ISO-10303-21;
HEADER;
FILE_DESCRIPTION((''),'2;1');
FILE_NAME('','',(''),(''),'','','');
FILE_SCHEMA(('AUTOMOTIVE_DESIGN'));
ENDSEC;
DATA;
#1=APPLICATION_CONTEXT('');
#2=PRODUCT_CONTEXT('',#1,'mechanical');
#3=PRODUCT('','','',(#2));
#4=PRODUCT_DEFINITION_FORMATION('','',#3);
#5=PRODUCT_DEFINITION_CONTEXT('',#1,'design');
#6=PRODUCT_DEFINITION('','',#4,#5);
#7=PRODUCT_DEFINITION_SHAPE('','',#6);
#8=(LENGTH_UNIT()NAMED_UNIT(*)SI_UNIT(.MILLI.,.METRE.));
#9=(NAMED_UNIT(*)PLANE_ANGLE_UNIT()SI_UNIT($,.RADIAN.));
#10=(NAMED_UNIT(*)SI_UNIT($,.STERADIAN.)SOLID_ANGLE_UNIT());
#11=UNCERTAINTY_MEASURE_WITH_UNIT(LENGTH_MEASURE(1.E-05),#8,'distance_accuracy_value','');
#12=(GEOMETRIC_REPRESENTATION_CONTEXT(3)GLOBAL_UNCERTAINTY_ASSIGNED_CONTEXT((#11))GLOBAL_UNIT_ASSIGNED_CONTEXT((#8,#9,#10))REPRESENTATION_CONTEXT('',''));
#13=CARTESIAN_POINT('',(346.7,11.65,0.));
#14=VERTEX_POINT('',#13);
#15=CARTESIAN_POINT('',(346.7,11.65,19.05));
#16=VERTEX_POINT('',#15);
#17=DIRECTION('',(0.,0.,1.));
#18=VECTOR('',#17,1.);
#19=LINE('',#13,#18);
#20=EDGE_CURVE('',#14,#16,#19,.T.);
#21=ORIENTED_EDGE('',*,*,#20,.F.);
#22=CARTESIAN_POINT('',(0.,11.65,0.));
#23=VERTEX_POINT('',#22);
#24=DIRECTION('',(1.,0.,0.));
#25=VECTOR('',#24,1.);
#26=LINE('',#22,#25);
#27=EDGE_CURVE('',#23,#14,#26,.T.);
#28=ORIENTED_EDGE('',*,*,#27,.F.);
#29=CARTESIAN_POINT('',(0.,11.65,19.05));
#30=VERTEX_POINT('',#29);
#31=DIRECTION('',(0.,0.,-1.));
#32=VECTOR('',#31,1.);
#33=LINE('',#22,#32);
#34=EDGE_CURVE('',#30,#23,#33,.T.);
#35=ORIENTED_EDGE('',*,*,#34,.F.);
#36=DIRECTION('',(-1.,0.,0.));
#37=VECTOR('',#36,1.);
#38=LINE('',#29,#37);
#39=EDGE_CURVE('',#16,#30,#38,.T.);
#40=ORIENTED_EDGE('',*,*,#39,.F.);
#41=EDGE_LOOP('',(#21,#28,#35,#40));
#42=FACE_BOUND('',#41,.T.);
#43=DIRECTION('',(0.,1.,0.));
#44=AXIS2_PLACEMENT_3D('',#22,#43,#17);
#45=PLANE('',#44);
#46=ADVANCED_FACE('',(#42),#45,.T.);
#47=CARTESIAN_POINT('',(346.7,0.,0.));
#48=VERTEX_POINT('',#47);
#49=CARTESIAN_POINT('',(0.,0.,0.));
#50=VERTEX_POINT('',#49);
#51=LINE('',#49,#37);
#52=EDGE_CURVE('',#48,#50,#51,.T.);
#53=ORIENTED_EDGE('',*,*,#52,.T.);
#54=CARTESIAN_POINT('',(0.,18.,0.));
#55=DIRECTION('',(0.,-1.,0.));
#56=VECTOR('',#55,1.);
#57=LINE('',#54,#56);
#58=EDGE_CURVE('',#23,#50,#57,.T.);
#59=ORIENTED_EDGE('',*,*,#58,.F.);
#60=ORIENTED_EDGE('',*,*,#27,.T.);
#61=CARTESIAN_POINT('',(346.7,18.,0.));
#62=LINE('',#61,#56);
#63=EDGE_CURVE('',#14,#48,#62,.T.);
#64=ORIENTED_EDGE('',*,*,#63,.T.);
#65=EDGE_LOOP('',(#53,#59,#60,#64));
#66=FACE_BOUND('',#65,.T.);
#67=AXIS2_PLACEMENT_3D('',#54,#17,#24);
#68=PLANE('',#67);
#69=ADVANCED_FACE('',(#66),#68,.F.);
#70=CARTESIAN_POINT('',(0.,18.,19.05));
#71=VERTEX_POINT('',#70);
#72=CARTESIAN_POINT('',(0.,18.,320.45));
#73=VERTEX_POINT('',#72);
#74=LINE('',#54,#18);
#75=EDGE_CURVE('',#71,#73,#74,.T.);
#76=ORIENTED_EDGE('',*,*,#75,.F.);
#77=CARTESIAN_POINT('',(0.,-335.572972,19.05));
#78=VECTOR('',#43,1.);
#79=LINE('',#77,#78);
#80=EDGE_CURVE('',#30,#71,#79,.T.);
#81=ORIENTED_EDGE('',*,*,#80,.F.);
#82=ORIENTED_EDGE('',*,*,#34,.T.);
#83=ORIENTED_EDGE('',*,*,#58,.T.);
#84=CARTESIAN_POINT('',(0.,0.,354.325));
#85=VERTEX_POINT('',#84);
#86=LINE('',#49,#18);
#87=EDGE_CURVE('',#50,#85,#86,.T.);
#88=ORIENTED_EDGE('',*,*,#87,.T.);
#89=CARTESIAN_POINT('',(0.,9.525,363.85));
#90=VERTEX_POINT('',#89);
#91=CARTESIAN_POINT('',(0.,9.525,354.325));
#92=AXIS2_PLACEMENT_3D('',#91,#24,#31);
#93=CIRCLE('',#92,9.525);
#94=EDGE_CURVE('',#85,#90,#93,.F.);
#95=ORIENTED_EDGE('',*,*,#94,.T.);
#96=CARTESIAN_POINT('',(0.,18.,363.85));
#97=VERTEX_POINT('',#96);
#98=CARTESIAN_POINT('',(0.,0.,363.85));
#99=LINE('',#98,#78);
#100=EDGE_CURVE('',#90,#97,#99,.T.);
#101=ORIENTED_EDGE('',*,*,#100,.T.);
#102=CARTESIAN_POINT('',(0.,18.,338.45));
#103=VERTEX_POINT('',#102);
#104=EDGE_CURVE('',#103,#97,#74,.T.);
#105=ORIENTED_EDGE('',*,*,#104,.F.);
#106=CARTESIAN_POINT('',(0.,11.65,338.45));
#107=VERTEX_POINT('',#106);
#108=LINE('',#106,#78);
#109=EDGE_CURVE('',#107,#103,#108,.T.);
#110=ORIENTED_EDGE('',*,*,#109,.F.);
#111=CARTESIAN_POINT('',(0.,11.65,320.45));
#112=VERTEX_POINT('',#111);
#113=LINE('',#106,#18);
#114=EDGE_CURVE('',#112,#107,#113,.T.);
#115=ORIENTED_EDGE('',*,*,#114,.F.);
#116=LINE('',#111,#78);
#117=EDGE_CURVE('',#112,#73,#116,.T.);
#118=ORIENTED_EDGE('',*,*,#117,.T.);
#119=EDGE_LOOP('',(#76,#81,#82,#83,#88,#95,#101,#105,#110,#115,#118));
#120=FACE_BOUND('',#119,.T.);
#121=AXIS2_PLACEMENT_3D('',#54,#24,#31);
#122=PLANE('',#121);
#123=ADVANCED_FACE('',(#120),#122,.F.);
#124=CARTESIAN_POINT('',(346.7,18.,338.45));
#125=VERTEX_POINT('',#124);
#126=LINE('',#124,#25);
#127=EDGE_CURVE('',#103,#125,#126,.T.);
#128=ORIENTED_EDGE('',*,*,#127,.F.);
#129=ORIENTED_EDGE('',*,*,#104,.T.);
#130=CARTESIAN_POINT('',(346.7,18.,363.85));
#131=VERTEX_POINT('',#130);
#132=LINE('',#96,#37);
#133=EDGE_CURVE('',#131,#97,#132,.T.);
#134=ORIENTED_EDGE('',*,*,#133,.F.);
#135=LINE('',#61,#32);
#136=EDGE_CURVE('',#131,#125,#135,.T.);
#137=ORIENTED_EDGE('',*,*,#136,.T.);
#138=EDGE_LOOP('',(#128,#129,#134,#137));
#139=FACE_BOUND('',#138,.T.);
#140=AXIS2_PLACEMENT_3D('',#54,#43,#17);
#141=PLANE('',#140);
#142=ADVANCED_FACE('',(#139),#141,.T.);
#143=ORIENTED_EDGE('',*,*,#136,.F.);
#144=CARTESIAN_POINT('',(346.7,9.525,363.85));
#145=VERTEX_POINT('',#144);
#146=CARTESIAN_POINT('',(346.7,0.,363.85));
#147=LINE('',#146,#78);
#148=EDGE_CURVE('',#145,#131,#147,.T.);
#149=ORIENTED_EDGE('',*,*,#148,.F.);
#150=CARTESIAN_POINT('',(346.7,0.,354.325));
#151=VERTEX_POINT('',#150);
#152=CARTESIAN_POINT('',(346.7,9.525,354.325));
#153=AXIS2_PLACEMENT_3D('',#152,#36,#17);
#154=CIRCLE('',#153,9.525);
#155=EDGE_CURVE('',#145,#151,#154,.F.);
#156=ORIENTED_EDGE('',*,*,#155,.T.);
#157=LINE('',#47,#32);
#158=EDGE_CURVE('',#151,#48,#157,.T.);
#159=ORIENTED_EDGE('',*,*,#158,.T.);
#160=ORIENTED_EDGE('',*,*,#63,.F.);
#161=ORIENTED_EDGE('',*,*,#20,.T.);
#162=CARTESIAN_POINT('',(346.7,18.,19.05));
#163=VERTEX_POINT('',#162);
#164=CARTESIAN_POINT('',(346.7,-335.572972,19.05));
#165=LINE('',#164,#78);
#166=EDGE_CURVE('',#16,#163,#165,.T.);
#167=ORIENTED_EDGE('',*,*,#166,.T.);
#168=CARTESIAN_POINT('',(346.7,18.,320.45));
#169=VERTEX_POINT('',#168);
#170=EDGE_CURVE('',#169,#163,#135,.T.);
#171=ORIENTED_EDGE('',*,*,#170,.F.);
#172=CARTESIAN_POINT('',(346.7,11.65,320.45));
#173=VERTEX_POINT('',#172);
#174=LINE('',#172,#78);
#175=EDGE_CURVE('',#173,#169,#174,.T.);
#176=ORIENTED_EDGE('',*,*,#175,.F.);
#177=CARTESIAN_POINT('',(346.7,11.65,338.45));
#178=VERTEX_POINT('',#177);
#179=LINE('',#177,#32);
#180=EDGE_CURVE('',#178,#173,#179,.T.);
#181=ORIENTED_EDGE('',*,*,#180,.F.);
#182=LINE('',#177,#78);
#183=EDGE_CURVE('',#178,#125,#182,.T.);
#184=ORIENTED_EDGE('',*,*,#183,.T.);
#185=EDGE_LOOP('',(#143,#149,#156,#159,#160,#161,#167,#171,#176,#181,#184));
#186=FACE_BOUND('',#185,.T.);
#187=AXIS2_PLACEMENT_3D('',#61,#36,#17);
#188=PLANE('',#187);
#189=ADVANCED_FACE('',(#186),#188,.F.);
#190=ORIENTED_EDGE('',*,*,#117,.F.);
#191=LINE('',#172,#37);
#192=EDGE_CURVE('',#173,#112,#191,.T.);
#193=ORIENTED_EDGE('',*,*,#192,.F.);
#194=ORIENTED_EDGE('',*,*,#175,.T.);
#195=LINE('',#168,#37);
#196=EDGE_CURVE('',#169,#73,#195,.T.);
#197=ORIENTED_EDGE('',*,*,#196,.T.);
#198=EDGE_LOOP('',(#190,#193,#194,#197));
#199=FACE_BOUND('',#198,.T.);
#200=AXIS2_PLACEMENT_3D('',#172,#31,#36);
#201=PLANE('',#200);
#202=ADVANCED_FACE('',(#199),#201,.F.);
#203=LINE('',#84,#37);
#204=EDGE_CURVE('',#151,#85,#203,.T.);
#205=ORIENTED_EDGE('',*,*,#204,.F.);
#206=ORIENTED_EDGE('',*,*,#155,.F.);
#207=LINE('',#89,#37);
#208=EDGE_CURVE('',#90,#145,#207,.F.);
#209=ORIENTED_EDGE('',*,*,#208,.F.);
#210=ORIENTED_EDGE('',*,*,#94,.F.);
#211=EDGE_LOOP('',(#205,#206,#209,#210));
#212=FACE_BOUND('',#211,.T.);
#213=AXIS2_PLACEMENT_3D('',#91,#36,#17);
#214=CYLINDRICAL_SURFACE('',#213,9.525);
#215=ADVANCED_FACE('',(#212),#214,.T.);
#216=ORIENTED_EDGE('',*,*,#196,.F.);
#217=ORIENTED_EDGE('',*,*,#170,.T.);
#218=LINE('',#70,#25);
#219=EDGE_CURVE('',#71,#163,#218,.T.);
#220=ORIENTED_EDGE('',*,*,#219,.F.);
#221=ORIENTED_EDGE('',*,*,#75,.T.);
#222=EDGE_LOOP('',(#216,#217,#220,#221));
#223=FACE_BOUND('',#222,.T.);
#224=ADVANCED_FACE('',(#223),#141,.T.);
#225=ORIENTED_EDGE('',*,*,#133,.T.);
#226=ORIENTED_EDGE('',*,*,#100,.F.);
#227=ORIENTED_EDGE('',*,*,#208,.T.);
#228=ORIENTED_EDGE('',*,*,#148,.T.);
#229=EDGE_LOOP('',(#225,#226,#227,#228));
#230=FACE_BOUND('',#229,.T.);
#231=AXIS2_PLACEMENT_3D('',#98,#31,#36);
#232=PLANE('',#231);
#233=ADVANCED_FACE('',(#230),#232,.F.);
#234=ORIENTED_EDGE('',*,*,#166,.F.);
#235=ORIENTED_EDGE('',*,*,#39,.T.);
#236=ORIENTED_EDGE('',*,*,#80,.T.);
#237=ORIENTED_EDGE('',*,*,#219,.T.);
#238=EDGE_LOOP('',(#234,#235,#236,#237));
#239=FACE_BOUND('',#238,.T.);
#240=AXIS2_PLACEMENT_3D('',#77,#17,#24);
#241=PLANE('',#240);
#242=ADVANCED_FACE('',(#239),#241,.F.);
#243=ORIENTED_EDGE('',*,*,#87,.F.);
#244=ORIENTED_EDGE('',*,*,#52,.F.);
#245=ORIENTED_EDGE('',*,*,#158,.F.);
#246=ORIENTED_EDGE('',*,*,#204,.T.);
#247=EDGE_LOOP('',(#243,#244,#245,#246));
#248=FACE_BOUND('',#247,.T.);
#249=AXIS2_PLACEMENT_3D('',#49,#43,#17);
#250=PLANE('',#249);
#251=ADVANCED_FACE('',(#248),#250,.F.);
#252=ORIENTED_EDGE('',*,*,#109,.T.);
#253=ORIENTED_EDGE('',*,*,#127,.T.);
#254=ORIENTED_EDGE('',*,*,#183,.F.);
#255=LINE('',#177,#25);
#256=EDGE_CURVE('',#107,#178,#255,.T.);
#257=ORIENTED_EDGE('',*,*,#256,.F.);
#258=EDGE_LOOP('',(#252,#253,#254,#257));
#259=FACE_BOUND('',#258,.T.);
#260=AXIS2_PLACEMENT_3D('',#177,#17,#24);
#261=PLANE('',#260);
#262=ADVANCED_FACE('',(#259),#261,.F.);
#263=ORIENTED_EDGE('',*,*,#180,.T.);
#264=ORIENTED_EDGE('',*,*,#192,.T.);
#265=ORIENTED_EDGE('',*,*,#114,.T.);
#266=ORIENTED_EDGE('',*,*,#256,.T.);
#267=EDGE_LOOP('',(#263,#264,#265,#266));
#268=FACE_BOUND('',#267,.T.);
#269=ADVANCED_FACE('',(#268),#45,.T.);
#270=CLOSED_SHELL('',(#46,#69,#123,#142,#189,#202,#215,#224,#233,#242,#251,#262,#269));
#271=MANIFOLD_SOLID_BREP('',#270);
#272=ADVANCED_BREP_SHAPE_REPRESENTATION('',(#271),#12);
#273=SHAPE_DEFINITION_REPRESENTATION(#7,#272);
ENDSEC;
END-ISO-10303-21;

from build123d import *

# Parameters (mm, degrees)
SKETCH1_W           = 346.7
SKETCH1_H           = 376.55000001
BOSS_EXTRUDE1_DEPTH = 18
SKETCH2_W           = 346.7
SKETCH2_H           = 18
CUT_EXTRUDE1_DEPTH  = 6.35
FILLET1_R           = 9.525
SKETCH3_W           = 346.7
SKETCH3_H           = 19.05
CUT_EXTRUDE2_DEPTH  = 6.35
SKETCH4_W           = 346.7
SKETCH4_H           = 12.7
CUT_EXTRUDE3_DEPTH  = 19
FILLET2_R           = 9.525


with BuildPart() as part:
    # Sketch1 → Boss-Extrude1 (new body)
    with BuildSketch(Plane(origin=(0, 0, 0), x_dir=(1, 0, 0), z_dir=(0, 1, 0))):
        with Locations((173.35, -188.275000005)):
            Rectangle(SKETCH1_W, SKETCH1_H)
    extrude(amount=BOSS_EXTRUDE1_DEPTH)

    # Sketch2 → Cut-Extrude1 (cut)
    with BuildSketch(Plane(origin=(0, 18, 0), x_dir=(1, 0, 0), z_dir=(0, 1, 0))):
        with Locations((173.35, -329.45000001)):
            Rectangle(SKETCH2_W, SKETCH2_H)
    extrude(amount=-CUT_EXTRUDE1_DEPTH, mode=Mode.SUBTRACT)

    # Fillet1
    fillet1_edges = [part.edges().sort_by_distance(p)[0] for p in [
        (173.35, 0, 376.55000001),
    ]]
    fillet(fillet1_edges, radius=FILLET1_R)

    # Sketch3 → Cut-Extrude2 (cut)
    with BuildSketch(Plane(origin=(0, 18, 0), x_dir=(1, 0, 0), z_dir=(0, 1, 0))):
        with Locations((173.35, -9.525)):
            Rectangle(SKETCH3_W, SKETCH3_H)
    extrude(amount=-CUT_EXTRUDE2_DEPTH, mode=Mode.SUBTRACT)

    # Sketch4 → Cut-Extrude3 (cut, through all)
    with BuildSketch(Plane(origin=(0, 18, 0), x_dir=(1, 0, 0), z_dir=(0, 1, 0))):
        with Locations((173.35, -370.20000001)):
            Rectangle(SKETCH4_W, SKETCH4_H)
    extrude(amount=-CUT_EXTRUDE3_DEPTH, mode=Mode.SUBTRACT)

    # Fillet2
    fillet2_edges = [part.edges().sort_by_distance(p)[0] for p in [
        (173.35, 0, 363.85000001),
    ]]
    fillet(fillet2_edges, radius=FILLET2_R)


solid = part.part
